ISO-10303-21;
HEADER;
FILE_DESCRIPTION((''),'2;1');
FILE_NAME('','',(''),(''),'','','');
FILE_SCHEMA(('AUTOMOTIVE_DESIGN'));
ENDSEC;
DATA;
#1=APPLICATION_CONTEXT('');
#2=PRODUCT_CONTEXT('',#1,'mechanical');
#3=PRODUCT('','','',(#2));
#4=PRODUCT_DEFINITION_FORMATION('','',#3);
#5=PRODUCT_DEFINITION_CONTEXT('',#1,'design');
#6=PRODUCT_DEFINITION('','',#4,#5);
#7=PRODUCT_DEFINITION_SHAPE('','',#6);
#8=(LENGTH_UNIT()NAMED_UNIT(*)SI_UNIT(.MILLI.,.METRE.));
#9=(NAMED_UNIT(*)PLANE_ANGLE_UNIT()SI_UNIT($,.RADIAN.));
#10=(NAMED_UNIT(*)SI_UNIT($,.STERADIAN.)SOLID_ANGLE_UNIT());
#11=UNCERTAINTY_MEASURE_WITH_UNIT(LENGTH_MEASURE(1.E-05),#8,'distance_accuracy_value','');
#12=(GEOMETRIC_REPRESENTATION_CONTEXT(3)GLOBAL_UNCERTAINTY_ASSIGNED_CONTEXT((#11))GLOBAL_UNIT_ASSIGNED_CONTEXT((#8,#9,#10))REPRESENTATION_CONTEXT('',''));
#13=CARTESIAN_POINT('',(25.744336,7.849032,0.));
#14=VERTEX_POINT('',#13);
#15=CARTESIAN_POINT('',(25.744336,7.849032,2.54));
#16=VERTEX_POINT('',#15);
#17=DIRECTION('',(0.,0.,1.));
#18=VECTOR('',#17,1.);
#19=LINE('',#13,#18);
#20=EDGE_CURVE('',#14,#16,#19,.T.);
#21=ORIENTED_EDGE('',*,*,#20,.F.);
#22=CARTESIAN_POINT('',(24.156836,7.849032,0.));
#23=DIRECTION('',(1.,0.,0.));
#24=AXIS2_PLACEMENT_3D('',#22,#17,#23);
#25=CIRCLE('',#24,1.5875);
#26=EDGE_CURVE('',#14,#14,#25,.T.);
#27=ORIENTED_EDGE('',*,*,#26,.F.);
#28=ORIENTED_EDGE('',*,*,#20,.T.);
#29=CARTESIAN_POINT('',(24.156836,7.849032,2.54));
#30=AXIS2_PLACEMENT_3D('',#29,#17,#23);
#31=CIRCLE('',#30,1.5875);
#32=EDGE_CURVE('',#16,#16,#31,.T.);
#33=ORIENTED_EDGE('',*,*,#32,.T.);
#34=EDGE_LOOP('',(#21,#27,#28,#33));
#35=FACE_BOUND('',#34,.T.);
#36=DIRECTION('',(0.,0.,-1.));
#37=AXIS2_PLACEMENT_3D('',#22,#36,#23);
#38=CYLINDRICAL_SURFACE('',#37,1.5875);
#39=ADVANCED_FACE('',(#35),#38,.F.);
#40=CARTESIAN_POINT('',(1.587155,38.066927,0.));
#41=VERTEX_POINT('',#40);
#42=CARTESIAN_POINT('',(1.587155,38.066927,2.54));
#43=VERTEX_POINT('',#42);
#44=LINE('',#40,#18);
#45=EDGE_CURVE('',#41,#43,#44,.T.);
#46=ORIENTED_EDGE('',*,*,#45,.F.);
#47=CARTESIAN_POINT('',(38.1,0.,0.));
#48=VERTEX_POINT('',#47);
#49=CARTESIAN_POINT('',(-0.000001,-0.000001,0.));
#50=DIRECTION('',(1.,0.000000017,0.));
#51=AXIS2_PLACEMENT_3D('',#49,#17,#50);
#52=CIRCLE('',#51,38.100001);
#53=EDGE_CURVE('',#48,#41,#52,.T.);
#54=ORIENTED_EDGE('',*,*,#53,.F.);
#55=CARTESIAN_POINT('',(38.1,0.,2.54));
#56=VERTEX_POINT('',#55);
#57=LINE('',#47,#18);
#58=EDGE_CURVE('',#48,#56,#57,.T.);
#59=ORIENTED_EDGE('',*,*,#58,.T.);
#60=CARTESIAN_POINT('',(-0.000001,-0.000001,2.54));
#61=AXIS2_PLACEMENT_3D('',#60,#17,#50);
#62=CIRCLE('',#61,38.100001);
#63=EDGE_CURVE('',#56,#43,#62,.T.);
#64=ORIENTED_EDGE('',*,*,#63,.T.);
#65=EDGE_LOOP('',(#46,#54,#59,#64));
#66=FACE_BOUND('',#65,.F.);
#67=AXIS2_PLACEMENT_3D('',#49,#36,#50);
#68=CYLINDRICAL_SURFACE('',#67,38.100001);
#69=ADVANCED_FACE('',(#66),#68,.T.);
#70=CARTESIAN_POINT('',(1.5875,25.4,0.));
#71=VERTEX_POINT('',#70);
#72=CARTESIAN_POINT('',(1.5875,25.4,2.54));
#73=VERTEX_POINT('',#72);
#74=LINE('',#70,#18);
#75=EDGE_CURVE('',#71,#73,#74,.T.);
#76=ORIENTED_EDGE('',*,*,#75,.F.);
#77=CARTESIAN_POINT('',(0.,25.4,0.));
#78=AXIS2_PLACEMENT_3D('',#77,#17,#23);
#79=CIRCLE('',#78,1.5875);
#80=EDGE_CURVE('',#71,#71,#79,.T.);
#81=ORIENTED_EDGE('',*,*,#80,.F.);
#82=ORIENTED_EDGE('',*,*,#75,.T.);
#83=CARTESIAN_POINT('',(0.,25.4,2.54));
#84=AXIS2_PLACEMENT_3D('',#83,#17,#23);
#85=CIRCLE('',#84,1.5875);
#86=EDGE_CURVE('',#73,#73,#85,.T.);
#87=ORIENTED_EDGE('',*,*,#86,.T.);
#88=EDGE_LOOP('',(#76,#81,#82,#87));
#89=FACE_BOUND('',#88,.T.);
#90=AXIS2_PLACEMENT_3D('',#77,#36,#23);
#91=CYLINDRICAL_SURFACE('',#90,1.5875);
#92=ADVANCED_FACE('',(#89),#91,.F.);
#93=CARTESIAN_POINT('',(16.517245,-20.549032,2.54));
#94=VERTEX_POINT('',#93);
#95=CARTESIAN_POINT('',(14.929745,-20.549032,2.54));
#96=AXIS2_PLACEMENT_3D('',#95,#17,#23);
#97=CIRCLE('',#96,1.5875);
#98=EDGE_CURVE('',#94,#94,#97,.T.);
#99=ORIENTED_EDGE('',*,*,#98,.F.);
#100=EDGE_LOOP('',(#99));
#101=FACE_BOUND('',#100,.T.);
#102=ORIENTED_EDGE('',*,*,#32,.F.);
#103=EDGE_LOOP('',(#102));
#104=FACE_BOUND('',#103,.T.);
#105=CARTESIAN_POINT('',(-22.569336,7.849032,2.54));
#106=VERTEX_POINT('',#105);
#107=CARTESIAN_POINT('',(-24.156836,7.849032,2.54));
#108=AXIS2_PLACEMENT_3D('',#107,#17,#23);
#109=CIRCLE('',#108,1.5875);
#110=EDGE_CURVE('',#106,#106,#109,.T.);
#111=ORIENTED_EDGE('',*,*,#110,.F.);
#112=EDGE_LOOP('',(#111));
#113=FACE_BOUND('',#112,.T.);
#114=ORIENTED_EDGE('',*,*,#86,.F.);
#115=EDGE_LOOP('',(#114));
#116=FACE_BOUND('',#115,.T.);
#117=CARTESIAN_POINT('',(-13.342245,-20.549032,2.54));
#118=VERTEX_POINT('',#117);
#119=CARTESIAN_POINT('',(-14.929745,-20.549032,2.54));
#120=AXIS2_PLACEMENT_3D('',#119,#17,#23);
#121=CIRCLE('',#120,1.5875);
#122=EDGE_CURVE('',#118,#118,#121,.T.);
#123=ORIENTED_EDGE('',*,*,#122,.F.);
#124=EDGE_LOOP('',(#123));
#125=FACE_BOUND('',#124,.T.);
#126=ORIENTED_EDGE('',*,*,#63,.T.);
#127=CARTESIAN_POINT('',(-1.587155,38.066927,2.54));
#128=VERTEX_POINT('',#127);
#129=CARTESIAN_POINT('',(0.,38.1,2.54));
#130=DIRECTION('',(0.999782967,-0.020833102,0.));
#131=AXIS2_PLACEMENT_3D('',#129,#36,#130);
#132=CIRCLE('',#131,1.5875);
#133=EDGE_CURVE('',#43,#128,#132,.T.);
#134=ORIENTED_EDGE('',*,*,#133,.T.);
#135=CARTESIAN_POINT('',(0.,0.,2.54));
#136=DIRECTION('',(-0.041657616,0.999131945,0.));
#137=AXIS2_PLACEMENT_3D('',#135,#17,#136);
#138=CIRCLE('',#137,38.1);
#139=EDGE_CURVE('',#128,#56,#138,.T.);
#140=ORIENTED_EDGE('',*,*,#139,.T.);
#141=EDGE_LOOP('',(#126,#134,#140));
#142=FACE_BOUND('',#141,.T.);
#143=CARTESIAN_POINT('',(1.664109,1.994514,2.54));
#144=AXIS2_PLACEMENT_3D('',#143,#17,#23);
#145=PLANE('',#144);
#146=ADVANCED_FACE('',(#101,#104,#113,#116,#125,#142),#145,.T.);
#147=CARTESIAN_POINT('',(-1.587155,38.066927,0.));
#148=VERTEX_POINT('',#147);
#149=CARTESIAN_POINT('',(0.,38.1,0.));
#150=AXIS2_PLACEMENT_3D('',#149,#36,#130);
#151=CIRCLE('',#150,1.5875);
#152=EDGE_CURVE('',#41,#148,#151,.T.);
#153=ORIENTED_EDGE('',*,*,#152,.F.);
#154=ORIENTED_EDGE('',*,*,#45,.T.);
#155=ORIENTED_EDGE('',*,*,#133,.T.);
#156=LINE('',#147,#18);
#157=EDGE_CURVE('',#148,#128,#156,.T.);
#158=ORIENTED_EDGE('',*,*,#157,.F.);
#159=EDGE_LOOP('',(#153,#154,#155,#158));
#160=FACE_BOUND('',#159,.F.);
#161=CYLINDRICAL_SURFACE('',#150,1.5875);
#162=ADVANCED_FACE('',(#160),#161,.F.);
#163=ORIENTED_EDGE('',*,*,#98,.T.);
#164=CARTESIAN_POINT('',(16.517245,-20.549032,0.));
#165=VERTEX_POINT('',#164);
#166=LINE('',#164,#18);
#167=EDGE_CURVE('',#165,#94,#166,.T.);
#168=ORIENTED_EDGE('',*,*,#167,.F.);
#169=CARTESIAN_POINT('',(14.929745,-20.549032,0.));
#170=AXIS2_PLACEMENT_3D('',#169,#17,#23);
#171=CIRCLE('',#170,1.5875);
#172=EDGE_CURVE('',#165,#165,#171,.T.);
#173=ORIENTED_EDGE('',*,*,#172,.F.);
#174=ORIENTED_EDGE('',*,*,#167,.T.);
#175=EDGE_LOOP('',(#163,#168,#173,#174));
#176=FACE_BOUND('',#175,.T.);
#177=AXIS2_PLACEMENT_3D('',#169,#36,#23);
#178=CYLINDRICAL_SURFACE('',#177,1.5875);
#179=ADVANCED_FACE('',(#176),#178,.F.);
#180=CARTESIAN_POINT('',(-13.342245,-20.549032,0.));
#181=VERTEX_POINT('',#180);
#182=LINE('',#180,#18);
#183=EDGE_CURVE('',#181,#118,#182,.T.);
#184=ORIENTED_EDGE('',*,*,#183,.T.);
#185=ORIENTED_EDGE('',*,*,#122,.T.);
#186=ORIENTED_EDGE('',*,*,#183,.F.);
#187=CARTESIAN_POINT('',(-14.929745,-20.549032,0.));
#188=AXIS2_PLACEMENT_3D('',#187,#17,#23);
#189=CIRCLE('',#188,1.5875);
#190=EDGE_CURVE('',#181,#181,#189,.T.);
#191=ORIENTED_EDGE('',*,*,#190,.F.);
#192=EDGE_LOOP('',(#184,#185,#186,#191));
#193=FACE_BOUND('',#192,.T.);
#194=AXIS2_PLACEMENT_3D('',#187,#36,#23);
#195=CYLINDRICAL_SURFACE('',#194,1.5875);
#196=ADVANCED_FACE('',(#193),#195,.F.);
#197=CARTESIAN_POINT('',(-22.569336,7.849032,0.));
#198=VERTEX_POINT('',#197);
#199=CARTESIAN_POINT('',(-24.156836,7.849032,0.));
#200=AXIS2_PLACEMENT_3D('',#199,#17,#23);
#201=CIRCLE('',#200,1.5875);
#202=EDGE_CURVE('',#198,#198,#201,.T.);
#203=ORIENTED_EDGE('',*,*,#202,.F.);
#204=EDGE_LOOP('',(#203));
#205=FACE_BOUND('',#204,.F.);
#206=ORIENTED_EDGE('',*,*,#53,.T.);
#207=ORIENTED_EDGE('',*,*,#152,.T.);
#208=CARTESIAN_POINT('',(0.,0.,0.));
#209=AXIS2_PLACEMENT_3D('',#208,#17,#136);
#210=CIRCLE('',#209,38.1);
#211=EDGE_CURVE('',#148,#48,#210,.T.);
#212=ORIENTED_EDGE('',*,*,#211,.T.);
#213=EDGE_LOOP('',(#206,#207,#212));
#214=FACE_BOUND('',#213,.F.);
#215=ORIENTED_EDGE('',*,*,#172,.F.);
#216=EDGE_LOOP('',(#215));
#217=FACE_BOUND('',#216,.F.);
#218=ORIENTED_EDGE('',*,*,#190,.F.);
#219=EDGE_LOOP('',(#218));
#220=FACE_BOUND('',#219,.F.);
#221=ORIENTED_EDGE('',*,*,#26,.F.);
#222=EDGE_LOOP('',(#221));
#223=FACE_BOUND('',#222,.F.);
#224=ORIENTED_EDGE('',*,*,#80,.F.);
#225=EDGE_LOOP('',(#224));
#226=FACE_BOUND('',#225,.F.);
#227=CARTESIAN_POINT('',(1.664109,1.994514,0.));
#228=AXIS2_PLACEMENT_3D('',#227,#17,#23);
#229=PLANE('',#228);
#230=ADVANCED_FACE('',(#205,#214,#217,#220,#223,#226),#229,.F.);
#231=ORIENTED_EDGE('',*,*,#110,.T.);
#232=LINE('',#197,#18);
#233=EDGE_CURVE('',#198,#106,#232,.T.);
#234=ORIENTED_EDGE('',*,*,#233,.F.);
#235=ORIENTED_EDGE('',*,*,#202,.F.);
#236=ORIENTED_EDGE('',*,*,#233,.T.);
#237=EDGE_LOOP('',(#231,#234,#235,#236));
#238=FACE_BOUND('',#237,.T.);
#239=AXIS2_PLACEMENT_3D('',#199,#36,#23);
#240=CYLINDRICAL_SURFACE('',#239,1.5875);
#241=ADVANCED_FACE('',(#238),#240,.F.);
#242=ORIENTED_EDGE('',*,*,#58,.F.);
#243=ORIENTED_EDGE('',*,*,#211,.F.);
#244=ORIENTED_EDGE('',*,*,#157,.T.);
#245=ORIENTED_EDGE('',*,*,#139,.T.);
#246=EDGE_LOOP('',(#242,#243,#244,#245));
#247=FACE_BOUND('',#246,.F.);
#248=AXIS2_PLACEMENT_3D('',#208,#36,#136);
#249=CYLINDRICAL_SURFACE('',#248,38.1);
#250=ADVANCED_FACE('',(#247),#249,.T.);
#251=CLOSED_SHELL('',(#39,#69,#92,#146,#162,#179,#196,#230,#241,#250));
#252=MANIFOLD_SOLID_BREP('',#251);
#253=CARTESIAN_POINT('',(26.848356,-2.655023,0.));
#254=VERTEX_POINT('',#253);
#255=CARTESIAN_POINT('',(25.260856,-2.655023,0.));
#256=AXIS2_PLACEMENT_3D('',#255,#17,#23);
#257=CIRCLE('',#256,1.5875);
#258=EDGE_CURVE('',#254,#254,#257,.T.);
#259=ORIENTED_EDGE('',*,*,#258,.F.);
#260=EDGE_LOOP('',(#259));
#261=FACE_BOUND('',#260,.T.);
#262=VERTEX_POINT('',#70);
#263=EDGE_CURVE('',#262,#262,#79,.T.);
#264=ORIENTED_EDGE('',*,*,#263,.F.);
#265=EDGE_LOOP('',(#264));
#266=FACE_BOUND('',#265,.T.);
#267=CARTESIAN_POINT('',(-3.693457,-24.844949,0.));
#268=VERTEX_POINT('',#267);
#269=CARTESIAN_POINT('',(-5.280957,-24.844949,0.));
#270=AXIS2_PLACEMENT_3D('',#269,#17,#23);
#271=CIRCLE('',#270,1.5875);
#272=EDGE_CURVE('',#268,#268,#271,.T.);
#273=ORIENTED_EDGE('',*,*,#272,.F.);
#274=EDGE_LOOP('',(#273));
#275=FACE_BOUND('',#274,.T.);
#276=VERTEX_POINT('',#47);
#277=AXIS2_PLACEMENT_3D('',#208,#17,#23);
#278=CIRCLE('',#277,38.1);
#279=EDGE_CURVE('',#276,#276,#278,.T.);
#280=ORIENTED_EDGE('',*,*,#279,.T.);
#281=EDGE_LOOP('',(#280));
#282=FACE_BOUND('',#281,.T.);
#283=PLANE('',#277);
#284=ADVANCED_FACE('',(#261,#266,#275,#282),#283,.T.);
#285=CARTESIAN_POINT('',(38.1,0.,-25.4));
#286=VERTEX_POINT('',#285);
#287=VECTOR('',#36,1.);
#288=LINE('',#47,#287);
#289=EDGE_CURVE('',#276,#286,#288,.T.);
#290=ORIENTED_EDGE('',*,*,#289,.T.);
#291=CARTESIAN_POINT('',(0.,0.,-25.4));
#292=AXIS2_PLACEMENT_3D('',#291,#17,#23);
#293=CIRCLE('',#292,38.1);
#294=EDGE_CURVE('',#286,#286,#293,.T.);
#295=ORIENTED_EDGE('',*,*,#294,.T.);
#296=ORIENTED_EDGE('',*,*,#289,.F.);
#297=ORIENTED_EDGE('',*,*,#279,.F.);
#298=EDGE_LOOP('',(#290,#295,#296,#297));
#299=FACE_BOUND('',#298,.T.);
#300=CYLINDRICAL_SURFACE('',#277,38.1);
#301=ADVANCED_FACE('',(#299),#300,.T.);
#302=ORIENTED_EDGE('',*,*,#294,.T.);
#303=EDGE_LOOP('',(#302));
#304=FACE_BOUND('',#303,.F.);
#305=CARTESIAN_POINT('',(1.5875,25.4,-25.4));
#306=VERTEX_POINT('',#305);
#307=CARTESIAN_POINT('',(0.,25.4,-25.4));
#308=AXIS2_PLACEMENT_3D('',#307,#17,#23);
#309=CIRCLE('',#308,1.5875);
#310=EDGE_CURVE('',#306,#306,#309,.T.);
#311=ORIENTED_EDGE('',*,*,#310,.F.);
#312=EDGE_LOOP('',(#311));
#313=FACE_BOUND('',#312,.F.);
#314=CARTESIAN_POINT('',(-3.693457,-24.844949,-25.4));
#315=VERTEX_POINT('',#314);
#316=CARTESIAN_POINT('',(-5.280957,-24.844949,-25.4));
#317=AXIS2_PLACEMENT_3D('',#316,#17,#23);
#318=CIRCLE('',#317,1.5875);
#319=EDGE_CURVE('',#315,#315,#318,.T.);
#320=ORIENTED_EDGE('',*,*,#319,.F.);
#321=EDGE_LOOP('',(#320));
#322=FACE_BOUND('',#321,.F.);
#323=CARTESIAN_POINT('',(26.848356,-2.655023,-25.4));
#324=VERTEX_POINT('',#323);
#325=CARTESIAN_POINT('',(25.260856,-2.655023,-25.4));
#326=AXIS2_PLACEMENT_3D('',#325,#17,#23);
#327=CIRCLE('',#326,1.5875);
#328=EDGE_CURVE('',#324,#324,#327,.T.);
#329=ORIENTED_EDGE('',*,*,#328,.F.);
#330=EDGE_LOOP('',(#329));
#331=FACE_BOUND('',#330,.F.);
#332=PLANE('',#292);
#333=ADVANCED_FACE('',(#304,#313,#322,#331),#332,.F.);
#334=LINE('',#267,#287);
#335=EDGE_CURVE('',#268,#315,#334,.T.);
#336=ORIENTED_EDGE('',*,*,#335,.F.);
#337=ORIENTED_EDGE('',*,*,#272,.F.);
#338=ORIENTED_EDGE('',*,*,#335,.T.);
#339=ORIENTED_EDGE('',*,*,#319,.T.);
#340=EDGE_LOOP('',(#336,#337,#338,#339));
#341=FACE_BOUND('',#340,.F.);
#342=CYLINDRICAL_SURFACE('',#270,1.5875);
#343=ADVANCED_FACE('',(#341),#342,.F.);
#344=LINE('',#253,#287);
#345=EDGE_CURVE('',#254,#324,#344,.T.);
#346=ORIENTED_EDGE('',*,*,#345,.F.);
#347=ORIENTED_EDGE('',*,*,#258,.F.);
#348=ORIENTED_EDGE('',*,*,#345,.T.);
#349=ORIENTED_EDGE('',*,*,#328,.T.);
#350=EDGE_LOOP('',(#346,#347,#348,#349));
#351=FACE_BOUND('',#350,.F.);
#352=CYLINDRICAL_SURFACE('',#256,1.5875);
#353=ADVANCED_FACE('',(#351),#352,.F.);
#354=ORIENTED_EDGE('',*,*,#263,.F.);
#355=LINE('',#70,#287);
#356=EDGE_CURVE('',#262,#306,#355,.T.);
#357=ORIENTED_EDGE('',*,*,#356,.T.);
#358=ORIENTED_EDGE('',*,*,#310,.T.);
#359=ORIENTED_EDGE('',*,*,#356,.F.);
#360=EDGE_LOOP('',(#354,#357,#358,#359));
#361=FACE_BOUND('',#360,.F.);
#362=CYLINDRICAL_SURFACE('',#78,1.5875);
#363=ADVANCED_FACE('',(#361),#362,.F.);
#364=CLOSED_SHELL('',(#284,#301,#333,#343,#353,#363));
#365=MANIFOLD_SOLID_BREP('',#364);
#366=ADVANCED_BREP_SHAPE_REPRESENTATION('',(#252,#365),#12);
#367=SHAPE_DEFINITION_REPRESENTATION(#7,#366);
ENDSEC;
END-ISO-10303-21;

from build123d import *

# Parameters (mm, degrees)
F1_R     = 38.1
F1_R_2   = 1.5875
F2_DEPTH = 25.4
F0_R     = 1.5875
F3_DEPTH = 2.54


with BuildPart() as f2:
    # F1 (on Top) → F2 (new body)
    with BuildSketch(Plane.XY):
        Circle(F1_R)
        with Locations((-5.280957, -24.844949)):
            Circle(F1_R_2, mode=Mode.SUBTRACT)
        with Locations((25.260856, -2.655023)):
            Circle(F1_R_2, mode=Mode.SUBTRACT)
        with Locations((0, 25.4)):
            Circle(F1_R_2, mode=Mode.SUBTRACT)
    extrude(amount=-F2_DEPTH)


with BuildPart() as f3:
    # F0 (on Top) → F3 (new body)
    with BuildSketch(Plane.XY):
        with BuildLine():
            ThreePointArc((-1.587155, 38.066927), (-26.373655, -27.496187), (38.1, 0))
            ThreePointArc((38.1, 0), (27.496187, 26.373655), (1.587155, 38.066927))
            ThreePointArc((1.587155, 38.066927), (0, 36.5125), (-1.587155, 38.066927))
        make_face()
        with Locations((-14.929745, -20.549032)):
            Circle(F0_R, mode=Mode.SUBTRACT)
        with Locations((14.929745, -20.549032)):
            Circle(F0_R, mode=Mode.SUBTRACT)
        with Locations((-24.156836, 7.849032)):
            Circle(F0_R, mode=Mode.SUBTRACT)
        with Locations((24.156836, 7.849032)):
            Circle(F0_R, mode=Mode.SUBTRACT)
        with Locations((0, 25.4)):
            Circle(F0_R, mode=Mode.SUBTRACT)
    extrude(amount=F3_DEPTH)


solid = Compound([f2.part, f3.part])
